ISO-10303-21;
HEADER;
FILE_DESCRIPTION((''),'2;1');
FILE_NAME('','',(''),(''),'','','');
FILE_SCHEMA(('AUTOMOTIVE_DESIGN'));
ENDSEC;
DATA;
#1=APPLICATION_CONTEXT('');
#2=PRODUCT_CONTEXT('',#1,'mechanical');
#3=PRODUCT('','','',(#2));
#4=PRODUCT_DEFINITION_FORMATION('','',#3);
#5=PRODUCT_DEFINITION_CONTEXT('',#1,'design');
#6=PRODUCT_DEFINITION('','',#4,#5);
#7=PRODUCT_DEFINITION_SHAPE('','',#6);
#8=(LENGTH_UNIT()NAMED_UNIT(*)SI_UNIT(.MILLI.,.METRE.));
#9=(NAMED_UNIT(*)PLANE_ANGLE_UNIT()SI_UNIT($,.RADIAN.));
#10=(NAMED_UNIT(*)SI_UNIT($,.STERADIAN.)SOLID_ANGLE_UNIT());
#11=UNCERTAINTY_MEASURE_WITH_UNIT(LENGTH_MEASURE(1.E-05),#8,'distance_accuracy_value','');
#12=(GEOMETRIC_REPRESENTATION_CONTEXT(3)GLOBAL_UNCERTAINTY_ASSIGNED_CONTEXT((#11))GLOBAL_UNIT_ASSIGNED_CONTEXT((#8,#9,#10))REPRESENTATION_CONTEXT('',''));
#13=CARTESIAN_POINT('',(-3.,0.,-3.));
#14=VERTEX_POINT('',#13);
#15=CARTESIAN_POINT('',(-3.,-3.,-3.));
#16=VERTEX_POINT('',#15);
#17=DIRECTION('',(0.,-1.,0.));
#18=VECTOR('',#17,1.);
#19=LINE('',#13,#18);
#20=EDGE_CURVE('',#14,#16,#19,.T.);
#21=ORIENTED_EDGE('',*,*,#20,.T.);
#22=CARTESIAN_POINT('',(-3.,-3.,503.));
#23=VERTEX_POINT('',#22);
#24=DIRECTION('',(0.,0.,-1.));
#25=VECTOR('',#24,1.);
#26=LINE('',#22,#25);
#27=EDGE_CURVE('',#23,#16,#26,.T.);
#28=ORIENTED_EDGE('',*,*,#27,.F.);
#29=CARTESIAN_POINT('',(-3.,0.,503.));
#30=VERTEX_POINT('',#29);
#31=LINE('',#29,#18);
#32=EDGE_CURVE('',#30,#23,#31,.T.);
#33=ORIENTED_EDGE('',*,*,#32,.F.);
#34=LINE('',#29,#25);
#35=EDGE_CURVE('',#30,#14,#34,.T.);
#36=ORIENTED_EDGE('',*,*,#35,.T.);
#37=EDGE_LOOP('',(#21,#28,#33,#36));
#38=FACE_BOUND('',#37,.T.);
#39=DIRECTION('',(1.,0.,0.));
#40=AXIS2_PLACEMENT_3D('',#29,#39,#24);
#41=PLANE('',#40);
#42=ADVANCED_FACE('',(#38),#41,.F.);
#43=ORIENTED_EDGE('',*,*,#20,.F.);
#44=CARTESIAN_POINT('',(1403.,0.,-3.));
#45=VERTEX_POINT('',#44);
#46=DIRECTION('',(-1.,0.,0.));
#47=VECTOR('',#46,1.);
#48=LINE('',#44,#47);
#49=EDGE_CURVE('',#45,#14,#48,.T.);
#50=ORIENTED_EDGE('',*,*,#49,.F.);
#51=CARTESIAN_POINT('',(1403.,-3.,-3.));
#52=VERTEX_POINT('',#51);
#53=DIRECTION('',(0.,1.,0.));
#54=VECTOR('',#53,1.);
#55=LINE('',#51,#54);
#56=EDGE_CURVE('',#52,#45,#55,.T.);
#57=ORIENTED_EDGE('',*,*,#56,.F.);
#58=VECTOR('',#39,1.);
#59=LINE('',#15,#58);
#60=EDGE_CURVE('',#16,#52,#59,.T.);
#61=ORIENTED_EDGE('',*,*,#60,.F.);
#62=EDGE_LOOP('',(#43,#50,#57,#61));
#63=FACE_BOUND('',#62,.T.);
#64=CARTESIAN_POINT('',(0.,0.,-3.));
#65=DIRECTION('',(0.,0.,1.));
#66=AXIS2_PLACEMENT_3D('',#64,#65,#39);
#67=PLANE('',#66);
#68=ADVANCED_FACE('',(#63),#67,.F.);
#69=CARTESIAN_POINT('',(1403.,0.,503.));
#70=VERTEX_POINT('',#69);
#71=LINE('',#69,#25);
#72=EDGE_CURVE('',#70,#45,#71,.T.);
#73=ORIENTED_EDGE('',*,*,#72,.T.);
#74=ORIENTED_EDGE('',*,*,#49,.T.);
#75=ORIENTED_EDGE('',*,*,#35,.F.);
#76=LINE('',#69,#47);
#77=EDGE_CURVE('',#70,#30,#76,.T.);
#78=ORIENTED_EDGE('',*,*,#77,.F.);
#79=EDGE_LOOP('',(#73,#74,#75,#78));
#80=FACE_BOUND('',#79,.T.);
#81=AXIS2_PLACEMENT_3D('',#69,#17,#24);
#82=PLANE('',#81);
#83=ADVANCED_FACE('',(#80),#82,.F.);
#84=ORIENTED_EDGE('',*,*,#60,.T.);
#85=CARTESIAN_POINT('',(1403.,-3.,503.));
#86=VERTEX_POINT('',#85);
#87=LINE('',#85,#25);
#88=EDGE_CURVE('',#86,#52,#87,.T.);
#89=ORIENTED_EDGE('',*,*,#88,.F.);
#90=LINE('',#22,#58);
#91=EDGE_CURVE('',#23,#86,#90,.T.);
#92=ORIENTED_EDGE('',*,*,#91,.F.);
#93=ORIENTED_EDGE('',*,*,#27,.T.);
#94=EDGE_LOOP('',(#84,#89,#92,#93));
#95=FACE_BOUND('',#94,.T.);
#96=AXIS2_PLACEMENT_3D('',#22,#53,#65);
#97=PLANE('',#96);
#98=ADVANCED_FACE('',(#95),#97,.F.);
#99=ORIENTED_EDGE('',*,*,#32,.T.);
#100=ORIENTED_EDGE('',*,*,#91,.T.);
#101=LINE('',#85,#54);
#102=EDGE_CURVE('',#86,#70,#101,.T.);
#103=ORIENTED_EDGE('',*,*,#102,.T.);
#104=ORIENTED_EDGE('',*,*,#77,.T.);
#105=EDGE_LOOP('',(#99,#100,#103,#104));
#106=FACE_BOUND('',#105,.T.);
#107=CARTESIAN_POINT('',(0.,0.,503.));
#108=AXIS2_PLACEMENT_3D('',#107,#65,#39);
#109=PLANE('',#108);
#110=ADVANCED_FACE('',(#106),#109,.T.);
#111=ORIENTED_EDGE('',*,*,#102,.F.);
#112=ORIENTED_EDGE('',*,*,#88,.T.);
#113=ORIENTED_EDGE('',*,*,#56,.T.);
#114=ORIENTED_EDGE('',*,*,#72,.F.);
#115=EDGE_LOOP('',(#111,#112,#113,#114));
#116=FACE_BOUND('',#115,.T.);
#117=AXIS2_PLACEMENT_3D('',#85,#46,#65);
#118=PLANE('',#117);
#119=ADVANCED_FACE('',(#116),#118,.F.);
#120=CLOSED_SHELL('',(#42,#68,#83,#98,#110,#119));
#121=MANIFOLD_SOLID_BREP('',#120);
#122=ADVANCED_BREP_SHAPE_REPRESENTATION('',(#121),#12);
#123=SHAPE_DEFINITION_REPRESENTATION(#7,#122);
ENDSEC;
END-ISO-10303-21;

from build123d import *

# Parameters (mm, degrees)
F_304_FLOOR_1400X500_T3_START = -3
SKETCH_1_W                    = 1406
SKETCH_1_H                    = 3
F_304_FLOOR_1400X500_T3_DEPTH = 506


with BuildPart() as part:
    # 草图1 → 304_floor_1400x500_t3 (new body)
    with BuildSketch(Plane.XY.offset(F_304_FLOOR_1400X500_T3_START)):
        with Locations((700, -1.5)):
            Rectangle(SKETCH_1_W, SKETCH_1_H)
    extrude(amount=F_304_FLOOR_1400X500_T3_DEPTH)


solid = part.part
